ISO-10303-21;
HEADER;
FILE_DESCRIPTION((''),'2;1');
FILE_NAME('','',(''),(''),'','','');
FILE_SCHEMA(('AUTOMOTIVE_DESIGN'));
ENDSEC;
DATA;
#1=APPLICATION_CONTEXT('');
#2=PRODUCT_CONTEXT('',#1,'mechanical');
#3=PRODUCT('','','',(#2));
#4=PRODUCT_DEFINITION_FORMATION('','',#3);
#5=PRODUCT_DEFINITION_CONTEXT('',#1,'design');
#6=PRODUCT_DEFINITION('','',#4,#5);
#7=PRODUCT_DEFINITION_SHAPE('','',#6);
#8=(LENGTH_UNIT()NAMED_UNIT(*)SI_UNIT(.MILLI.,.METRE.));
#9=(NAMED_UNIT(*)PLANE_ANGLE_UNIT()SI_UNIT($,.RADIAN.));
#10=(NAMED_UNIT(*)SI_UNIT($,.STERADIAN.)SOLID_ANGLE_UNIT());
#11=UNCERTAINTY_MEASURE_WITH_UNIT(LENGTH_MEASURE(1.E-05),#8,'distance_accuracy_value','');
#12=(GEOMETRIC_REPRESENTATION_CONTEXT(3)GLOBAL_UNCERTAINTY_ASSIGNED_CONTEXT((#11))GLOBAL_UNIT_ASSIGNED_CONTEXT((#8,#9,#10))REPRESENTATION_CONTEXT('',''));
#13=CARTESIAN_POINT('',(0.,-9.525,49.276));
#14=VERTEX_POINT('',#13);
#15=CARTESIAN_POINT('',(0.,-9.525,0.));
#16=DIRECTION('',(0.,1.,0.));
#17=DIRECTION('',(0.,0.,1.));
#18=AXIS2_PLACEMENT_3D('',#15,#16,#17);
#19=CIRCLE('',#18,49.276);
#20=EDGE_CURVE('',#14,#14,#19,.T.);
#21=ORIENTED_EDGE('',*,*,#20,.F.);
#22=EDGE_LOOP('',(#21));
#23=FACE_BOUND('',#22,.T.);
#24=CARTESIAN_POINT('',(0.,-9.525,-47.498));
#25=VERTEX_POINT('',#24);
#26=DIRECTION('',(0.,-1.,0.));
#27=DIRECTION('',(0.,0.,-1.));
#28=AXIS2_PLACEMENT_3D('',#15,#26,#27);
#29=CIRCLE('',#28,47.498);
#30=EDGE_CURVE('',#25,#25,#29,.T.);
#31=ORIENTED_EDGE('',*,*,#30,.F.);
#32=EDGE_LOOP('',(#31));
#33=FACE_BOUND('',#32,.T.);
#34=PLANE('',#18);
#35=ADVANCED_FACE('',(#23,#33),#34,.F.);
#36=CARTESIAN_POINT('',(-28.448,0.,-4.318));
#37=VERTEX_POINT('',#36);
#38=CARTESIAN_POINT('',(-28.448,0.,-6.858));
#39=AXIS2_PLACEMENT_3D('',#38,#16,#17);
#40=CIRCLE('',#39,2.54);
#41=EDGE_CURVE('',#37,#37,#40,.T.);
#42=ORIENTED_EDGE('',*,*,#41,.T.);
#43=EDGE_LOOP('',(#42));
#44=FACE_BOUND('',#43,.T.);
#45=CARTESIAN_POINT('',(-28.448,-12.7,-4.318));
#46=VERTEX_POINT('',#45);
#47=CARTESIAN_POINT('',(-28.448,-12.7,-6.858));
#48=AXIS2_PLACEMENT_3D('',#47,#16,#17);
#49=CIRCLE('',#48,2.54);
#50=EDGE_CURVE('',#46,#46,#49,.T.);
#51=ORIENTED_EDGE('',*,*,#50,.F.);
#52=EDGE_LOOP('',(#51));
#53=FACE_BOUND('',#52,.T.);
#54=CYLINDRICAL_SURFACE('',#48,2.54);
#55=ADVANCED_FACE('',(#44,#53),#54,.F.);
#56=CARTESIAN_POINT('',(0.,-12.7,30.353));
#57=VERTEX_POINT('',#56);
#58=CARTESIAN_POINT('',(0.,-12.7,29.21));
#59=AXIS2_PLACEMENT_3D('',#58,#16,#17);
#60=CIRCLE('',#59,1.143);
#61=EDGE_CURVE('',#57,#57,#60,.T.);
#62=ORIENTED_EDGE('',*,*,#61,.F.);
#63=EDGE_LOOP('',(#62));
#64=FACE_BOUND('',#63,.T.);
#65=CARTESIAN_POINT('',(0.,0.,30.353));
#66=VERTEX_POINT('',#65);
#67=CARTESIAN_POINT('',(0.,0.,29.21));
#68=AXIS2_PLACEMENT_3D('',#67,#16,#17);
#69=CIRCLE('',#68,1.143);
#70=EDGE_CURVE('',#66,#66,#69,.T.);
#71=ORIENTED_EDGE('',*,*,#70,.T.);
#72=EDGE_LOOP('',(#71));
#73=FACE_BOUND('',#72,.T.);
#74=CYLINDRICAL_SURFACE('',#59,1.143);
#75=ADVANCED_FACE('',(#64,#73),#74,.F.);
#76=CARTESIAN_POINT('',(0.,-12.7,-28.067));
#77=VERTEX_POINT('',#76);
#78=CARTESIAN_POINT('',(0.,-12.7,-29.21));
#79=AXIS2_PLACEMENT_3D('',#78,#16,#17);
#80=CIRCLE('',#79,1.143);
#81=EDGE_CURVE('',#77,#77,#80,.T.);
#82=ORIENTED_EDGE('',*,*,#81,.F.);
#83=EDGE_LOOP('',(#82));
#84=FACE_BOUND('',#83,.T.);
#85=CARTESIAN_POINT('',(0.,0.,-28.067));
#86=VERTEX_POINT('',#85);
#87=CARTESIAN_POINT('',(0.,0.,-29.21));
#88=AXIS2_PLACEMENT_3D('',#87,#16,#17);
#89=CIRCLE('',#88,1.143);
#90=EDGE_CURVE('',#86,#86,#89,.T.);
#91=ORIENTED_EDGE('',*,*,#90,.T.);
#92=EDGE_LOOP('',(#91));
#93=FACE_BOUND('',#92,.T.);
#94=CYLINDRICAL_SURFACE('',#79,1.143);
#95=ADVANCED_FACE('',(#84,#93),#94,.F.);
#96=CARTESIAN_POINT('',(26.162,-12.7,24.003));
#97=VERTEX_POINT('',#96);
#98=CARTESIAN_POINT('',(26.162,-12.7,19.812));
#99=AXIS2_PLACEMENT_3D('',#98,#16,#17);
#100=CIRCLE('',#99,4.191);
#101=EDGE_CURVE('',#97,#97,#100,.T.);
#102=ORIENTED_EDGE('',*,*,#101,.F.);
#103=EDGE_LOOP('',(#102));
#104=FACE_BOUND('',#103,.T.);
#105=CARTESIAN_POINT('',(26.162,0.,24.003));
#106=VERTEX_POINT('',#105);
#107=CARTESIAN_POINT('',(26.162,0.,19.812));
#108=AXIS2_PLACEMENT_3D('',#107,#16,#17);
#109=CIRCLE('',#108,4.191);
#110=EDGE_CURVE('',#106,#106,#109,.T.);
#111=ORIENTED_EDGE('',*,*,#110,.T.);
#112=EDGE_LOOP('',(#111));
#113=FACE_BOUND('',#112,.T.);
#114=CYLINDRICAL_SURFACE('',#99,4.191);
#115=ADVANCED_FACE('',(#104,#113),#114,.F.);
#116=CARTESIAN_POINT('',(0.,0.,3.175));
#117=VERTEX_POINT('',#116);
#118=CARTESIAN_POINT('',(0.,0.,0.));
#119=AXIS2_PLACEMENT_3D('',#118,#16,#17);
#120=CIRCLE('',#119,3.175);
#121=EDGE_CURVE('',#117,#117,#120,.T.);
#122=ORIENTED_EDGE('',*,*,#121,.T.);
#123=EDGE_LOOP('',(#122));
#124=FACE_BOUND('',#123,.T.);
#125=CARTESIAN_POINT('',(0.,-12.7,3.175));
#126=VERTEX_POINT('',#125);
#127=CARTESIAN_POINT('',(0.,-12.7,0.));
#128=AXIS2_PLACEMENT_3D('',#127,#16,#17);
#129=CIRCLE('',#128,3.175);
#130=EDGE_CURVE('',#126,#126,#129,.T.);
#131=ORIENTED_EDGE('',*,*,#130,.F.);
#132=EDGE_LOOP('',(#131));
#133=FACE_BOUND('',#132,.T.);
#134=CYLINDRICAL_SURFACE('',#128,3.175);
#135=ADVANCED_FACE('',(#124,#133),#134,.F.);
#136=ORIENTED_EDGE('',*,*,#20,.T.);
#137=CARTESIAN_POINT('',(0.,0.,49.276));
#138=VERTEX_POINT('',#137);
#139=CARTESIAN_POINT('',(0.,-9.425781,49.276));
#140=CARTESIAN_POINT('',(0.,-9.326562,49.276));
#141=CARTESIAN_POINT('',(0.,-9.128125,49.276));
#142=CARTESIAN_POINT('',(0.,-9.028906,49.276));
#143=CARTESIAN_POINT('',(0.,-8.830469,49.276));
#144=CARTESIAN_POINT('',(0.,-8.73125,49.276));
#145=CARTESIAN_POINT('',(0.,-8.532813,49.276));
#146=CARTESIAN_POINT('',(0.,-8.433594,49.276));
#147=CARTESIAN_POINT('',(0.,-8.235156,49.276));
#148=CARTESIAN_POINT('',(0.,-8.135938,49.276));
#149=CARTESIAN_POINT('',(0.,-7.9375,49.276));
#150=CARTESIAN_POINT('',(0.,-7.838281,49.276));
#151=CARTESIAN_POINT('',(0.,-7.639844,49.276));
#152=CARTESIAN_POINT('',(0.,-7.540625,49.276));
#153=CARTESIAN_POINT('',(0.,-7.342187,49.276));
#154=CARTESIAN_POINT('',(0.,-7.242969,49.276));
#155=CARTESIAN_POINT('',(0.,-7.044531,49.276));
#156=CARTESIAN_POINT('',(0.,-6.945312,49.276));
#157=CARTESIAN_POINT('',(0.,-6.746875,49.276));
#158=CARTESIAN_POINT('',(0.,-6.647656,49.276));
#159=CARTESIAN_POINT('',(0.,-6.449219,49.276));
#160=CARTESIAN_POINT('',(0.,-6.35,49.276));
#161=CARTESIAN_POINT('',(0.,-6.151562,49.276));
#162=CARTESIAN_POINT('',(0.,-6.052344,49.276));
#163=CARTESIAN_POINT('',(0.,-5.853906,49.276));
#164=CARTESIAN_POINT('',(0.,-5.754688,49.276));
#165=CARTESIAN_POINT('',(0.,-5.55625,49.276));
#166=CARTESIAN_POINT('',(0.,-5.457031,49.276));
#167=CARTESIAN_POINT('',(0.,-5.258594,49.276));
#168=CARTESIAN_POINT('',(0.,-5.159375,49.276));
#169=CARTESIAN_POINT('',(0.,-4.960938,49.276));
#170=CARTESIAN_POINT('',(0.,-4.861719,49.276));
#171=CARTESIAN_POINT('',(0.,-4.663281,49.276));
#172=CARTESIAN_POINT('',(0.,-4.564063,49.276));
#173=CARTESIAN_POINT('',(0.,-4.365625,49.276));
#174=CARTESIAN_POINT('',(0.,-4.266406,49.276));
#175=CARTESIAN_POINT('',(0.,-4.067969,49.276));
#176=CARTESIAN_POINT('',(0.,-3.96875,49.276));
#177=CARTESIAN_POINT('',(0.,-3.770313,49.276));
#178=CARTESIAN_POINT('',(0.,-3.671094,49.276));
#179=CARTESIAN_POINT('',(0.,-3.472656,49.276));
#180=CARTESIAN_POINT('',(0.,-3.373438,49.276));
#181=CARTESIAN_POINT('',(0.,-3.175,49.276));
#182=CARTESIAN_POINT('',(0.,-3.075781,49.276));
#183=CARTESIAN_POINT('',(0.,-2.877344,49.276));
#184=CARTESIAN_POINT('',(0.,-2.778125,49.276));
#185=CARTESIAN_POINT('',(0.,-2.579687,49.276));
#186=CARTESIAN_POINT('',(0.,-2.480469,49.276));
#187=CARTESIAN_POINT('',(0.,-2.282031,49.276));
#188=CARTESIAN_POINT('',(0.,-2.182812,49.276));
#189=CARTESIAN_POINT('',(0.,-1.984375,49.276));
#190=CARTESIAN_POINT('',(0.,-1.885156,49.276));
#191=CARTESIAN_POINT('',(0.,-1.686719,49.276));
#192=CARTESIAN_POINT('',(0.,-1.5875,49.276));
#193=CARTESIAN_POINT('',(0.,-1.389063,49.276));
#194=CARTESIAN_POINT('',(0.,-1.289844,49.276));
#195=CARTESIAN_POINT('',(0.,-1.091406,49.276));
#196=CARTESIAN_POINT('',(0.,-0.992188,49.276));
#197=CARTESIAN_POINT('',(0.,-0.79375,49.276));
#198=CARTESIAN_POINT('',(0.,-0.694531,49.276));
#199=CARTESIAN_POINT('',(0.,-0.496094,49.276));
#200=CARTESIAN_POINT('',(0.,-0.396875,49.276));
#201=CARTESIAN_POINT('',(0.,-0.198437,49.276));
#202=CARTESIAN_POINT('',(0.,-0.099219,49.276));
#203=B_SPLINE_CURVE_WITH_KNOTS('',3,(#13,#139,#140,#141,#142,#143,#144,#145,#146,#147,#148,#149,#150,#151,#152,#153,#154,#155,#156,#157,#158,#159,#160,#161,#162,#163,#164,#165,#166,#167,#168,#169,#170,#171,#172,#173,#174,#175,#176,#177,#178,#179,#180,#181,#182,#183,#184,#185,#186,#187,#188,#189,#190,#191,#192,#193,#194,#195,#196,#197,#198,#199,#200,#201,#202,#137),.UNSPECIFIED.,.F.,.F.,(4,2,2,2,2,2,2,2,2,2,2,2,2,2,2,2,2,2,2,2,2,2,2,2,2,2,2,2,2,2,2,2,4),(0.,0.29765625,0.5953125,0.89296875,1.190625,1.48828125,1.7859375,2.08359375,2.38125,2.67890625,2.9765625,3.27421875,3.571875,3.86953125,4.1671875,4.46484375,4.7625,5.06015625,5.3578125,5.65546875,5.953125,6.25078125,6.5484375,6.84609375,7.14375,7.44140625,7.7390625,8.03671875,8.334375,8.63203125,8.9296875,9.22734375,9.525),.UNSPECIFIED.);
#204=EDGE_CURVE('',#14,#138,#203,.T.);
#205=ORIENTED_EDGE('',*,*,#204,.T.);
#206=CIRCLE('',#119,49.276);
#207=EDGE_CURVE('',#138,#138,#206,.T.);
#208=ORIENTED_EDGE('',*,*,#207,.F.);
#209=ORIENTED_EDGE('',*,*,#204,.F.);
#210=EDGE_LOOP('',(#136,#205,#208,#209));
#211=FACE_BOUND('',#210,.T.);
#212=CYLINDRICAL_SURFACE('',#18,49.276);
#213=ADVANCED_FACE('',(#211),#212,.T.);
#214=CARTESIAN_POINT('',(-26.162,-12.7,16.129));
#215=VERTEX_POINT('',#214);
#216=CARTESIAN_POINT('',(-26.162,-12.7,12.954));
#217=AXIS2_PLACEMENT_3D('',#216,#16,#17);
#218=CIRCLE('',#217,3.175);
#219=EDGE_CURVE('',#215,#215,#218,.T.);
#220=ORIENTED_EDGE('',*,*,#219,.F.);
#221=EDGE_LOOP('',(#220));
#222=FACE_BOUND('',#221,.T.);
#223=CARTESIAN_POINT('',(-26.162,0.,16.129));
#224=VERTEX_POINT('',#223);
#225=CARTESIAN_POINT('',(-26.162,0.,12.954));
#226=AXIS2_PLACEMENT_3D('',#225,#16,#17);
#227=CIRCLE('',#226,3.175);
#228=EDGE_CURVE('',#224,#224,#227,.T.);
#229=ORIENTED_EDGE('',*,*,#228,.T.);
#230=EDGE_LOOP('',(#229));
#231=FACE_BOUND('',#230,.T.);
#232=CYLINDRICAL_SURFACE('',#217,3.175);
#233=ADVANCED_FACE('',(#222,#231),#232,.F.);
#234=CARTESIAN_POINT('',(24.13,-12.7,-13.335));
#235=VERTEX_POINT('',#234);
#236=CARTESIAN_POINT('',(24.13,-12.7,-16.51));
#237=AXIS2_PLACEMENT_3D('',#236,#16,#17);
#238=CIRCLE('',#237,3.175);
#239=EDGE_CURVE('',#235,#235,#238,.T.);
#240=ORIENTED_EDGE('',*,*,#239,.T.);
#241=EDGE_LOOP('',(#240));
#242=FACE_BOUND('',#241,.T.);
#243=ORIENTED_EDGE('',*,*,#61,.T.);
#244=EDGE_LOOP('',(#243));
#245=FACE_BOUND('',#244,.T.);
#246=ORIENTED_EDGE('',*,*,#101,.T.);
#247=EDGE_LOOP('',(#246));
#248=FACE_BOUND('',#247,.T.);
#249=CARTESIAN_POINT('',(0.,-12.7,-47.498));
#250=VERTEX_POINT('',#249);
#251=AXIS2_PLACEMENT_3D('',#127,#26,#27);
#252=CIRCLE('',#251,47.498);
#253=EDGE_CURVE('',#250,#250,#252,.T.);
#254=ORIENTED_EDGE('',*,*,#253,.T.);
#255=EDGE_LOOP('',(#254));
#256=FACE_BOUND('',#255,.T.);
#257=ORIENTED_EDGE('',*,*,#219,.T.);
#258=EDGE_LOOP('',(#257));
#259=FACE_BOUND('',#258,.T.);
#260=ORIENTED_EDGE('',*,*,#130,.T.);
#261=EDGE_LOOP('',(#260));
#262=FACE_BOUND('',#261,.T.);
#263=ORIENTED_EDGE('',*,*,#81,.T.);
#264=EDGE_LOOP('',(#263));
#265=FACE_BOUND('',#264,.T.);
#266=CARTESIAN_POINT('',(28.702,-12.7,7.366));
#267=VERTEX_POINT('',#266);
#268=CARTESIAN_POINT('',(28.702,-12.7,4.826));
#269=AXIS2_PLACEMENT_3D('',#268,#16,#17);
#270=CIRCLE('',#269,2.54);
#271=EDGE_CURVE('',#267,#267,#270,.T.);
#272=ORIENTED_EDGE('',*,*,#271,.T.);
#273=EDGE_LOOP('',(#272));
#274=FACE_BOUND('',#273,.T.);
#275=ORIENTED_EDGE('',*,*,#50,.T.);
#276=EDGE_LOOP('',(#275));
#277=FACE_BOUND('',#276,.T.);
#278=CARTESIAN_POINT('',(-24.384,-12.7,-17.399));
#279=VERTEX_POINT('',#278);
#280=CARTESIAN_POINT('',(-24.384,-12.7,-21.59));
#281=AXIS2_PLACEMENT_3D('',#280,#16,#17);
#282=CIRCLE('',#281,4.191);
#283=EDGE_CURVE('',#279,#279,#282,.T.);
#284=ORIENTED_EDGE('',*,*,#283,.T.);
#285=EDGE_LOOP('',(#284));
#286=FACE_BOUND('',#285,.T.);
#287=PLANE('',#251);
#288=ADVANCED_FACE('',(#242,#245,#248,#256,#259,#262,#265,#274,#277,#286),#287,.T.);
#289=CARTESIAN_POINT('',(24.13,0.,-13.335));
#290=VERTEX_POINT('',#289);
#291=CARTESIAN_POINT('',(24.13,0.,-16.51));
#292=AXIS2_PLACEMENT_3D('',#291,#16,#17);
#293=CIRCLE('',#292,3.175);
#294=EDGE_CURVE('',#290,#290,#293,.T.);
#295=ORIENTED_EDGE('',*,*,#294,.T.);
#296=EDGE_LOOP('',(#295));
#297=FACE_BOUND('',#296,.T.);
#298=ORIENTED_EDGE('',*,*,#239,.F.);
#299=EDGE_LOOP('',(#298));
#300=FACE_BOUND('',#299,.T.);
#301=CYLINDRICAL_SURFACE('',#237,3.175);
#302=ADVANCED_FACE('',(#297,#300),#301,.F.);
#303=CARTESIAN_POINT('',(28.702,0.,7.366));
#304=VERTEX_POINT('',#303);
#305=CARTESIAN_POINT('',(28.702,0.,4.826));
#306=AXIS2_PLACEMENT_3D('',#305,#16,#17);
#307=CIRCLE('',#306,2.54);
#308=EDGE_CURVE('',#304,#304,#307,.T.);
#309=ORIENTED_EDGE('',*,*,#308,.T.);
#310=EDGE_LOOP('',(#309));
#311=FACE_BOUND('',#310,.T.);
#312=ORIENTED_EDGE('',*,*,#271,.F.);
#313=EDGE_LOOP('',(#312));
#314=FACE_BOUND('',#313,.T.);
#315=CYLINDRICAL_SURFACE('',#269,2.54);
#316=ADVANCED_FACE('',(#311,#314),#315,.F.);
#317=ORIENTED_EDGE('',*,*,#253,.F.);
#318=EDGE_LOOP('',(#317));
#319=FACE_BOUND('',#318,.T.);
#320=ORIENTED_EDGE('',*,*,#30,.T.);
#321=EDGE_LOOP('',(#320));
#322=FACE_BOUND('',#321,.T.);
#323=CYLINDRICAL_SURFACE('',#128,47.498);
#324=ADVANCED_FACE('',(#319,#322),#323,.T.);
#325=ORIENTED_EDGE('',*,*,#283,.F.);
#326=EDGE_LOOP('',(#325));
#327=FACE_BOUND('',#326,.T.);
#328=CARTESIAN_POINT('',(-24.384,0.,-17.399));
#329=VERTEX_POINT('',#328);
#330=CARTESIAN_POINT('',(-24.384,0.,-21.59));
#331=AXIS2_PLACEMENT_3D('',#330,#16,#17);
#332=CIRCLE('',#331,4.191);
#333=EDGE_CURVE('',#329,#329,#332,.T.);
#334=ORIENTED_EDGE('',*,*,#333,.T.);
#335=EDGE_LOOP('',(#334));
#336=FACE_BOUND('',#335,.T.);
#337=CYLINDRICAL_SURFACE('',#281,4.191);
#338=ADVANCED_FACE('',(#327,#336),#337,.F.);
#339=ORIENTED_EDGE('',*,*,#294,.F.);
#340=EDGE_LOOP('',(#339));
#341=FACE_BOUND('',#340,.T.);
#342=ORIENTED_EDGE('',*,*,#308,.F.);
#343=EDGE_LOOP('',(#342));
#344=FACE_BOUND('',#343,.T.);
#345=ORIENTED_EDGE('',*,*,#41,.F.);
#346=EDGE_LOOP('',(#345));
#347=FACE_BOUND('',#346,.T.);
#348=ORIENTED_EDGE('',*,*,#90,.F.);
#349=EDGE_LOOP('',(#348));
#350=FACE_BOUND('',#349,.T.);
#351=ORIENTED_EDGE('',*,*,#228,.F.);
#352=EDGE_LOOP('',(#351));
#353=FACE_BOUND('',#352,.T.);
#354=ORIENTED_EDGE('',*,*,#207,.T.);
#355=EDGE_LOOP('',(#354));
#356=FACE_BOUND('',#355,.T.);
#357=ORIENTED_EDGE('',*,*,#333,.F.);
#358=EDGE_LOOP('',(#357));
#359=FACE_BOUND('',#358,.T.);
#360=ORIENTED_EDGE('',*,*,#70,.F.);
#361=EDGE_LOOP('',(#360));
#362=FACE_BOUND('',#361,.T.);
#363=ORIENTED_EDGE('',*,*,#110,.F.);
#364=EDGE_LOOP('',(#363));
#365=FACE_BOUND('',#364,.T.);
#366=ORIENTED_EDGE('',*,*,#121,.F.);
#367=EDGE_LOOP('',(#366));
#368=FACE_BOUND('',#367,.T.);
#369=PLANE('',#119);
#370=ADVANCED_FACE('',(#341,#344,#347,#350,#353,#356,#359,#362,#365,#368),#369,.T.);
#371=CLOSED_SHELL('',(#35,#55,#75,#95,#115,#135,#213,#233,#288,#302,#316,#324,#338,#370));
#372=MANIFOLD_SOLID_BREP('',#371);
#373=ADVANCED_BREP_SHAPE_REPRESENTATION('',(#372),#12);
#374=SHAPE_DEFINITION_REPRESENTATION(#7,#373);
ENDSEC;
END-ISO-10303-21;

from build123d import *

# Parameters (mm, degrees)
SKETCH1_R           = 49.276
BOSS_EXTRUDE1_DEPTH = 9.525
SKETCH2_R           = 47.498
BOSS_EXTRUDE2_DEPTH = 3.175
SKETCH5_R           = 3.175
SKETCH5_R_2         = 1.143
SKETCH5_R_3         = 4.191
SKETCH5_R_4         = 2.54
CUT_EXTRUDE1_DEPTH  = 71.834584434


with BuildPart() as part:
    # Sketch1 → Boss-Extrude1 (new body)
    with BuildSketch(Plane(origin=(0, 0, 0), x_dir=(1, 0, 0), z_dir=(0, 1, 0))):
        with Locations(Location((0, 0, 0), (0, 0, 270))):
            Circle(SKETCH1_R)
    extrude(amount=-BOSS_EXTRUDE1_DEPTH)

    # Sketch2 → Boss-Extrude2 (add)
    with BuildSketch(Plane.XZ.offset(9.525)):
        with Locations(Location((0, 0, 0), (0, 0, 270))):
            Circle(SKETCH2_R)
    extrude(amount=BOSS_EXTRUDE2_DEPTH)

    # Sketch5 → Cut-Extrude1 (cut, through all)
    with BuildSketch(Plane(origin=(0, 0, 0), x_dir=(1, 0, 0), z_dir=(0, 1, 0))):
        with Locations(Location((0, 0, 0), (0, 0, 270))):
            Circle(SKETCH5_R)
        with Locations(Location((0, 29.21, 0), (0, 0, 270))):
            Circle(SKETCH5_R_2)
        with Locations(Location((0, -29.21, 0), (0, 0, 270))):
            Circle(SKETCH5_R_2)
        with Locations(Location((-24.384, 21.59, 0), (0, 0, 270))):
            Circle(SKETCH5_R_3)
        with Locations(Location((-28.448, 6.858, 0), (0, 0, 270))):
            Circle(SKETCH5_R_4)
        with Locations(Location((-26.162, -12.954, 0), (0, 0, 270))):
            Circle(SKETCH5_R)
        with Locations(Location((26.162, -19.812, 0), (0, 0, 270))):
            Circle(SKETCH5_R_3)
        with Locations(Location((28.702, -4.826, 0), (0, 0, 270))):
            Circle(SKETCH5_R_4)
        with Locations(Location((24.13, 16.51, 0), (0, 0, 270))):
            Circle(SKETCH5_R)
    extrude(amount=-CUT_EXTRUDE1_DEPTH, mode=Mode.SUBTRACT)


solid = part.part
